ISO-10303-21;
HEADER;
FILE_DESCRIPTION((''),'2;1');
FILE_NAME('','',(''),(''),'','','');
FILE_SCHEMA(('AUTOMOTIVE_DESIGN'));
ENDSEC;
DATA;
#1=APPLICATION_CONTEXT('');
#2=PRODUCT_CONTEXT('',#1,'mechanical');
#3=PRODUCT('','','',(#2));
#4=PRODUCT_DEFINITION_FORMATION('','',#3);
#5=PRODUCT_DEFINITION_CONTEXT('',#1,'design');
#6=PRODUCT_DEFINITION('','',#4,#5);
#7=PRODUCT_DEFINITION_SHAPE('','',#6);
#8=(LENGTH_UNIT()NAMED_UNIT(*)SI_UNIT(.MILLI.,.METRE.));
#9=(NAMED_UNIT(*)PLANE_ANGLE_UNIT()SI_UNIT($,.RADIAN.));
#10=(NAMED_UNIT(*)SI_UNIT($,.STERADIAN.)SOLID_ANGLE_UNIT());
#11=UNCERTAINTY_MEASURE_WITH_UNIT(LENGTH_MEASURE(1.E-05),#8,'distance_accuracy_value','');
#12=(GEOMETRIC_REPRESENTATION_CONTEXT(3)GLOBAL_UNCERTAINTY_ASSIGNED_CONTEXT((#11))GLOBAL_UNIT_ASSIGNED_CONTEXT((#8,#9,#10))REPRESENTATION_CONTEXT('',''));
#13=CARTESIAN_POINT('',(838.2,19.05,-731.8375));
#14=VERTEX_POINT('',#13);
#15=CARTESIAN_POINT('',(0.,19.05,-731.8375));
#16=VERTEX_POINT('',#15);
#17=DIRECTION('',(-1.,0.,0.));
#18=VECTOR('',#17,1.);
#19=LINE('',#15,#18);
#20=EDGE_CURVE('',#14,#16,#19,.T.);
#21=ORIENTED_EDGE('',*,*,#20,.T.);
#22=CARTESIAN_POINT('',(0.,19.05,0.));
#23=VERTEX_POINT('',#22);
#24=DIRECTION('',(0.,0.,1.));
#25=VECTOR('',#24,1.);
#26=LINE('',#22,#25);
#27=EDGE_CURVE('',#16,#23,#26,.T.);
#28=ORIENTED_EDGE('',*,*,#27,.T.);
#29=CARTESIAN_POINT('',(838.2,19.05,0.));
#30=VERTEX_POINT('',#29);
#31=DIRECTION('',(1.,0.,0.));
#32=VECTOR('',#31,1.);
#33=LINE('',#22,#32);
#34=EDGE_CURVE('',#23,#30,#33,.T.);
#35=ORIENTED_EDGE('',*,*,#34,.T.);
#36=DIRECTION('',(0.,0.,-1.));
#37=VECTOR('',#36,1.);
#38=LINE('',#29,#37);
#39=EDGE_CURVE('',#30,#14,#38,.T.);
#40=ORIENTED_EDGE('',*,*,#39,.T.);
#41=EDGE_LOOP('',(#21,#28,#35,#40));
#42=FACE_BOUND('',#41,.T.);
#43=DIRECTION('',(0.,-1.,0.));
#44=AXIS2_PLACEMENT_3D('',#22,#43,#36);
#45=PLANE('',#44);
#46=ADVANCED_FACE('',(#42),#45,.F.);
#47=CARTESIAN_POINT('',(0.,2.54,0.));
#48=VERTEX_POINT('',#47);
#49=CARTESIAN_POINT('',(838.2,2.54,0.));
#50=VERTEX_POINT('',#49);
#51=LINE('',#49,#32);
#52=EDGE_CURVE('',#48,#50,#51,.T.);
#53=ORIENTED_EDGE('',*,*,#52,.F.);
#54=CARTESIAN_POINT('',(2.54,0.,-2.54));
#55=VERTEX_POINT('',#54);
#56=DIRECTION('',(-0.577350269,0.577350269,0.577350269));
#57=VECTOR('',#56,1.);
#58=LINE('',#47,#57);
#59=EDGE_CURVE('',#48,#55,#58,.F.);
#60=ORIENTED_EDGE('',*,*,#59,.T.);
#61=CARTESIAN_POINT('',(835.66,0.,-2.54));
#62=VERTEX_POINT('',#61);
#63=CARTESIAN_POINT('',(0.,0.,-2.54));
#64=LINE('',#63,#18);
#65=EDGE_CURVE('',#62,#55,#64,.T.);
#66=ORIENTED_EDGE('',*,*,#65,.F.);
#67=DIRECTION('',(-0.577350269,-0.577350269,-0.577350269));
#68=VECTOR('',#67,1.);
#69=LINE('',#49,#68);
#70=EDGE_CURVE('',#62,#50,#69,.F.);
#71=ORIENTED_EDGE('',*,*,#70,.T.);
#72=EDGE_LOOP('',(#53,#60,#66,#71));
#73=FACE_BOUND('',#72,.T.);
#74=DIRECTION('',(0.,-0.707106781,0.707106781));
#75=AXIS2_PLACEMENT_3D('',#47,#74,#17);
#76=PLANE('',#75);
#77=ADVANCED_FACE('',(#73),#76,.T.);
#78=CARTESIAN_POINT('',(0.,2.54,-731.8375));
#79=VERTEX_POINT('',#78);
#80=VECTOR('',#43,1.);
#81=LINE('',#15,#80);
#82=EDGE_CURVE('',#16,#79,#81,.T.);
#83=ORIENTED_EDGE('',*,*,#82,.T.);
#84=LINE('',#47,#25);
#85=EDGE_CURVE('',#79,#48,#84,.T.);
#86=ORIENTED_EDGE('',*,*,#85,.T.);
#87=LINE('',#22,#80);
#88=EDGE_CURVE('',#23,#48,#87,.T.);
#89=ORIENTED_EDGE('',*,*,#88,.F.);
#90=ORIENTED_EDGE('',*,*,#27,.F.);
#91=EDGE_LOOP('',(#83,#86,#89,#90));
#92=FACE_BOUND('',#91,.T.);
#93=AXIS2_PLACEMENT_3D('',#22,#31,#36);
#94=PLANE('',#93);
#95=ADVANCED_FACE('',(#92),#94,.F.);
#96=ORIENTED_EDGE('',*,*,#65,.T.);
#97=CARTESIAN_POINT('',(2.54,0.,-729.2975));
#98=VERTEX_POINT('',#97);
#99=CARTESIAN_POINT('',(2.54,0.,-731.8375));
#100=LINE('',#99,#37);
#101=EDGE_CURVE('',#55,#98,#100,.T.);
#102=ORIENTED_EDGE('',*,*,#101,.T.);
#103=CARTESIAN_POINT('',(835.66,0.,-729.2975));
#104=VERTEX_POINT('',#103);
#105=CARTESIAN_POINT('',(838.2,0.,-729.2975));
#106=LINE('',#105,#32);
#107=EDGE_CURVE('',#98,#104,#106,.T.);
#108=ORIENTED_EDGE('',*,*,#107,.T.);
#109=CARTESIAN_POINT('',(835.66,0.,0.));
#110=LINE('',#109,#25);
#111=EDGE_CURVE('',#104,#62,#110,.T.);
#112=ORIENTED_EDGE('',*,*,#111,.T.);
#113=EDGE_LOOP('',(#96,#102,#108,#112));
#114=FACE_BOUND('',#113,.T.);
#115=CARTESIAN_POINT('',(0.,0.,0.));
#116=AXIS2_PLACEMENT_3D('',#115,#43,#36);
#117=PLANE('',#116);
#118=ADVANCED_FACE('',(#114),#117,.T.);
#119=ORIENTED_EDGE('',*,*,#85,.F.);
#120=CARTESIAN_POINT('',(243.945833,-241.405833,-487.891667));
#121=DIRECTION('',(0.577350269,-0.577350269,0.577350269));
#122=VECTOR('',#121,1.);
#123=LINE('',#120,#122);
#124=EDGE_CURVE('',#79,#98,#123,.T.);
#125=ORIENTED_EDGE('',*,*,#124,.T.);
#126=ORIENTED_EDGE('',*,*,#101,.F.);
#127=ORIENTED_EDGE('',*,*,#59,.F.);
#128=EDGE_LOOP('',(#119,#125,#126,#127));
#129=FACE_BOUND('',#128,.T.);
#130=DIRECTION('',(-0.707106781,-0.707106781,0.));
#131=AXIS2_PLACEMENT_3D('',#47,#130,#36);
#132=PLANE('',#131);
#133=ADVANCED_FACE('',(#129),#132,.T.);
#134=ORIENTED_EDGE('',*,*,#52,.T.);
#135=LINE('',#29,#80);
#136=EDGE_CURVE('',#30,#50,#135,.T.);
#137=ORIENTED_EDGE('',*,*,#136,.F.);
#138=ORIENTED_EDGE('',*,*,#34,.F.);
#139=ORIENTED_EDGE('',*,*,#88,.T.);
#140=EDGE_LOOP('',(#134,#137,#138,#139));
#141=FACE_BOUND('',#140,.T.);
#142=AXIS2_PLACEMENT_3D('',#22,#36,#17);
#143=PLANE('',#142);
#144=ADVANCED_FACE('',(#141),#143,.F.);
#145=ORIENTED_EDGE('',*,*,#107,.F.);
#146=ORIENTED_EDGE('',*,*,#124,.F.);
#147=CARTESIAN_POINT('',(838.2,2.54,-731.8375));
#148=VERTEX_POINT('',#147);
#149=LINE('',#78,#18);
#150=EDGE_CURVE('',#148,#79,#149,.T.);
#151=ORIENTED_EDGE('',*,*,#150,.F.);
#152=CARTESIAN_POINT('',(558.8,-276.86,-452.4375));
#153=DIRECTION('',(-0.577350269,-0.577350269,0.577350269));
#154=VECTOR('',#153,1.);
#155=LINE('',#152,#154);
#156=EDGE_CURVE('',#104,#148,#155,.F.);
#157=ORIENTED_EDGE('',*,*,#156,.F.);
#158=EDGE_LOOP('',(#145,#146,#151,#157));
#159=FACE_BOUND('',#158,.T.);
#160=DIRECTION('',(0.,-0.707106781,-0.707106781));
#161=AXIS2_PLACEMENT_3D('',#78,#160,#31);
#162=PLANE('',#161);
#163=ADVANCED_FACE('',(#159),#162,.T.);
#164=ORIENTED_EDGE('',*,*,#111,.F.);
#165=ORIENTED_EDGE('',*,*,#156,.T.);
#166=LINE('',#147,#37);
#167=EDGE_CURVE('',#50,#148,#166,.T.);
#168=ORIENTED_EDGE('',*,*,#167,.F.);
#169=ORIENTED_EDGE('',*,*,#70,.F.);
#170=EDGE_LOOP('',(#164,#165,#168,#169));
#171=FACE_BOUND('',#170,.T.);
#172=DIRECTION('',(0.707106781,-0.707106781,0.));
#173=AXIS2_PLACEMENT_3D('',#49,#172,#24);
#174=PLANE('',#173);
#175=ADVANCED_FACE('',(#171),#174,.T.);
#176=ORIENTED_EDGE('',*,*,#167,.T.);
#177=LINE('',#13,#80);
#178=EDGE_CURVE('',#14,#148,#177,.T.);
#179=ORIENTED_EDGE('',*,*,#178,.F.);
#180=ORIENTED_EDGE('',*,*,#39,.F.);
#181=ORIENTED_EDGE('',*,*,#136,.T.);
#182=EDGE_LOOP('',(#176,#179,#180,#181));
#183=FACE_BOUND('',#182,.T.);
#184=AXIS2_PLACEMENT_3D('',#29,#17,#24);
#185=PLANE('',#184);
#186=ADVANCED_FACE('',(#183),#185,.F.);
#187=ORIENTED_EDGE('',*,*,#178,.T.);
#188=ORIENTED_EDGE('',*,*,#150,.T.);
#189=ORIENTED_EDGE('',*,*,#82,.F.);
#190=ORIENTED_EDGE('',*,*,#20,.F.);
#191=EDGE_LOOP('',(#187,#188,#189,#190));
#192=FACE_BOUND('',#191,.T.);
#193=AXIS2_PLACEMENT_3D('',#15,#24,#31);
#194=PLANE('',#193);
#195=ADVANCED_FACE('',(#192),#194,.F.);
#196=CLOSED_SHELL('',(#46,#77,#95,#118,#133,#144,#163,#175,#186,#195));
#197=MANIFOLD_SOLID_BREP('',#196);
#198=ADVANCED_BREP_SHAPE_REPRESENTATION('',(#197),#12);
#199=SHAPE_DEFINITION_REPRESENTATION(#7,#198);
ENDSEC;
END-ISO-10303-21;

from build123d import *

# Parameters (mm, degrees)
SKETCH1_W           = 838.2
SKETCH1_H           = 731.8375
BOSS_EXTRUDE1_DEPTH = 19.05
CHAMFER1_SIZE       = 2.54


with BuildPart() as part:
    # Sketch1 → Boss-Extrude1 (new body)
    with BuildSketch(Plane(origin=(0, 0, 0), x_dir=(1, 0, 0), z_dir=(0, 1, 0))):
        with Locations((419.1, 365.91875)):
            Rectangle(SKETCH1_W, SKETCH1_H)
    extrude(amount=BOSS_EXTRUDE1_DEPTH)

    # Chamfer1
    chamfer1_edges = [part.edges().sort_by_distance(p)[0] for p in [
        (419.1, 0, -731.8375),
        (838.2, 0, -365.91875),
        (419.1, 0, 0),
        (0, 0, -365.91875),
    ]]
    chamfer(chamfer1_edges, length=CHAMFER1_SIZE)


solid = part.part
